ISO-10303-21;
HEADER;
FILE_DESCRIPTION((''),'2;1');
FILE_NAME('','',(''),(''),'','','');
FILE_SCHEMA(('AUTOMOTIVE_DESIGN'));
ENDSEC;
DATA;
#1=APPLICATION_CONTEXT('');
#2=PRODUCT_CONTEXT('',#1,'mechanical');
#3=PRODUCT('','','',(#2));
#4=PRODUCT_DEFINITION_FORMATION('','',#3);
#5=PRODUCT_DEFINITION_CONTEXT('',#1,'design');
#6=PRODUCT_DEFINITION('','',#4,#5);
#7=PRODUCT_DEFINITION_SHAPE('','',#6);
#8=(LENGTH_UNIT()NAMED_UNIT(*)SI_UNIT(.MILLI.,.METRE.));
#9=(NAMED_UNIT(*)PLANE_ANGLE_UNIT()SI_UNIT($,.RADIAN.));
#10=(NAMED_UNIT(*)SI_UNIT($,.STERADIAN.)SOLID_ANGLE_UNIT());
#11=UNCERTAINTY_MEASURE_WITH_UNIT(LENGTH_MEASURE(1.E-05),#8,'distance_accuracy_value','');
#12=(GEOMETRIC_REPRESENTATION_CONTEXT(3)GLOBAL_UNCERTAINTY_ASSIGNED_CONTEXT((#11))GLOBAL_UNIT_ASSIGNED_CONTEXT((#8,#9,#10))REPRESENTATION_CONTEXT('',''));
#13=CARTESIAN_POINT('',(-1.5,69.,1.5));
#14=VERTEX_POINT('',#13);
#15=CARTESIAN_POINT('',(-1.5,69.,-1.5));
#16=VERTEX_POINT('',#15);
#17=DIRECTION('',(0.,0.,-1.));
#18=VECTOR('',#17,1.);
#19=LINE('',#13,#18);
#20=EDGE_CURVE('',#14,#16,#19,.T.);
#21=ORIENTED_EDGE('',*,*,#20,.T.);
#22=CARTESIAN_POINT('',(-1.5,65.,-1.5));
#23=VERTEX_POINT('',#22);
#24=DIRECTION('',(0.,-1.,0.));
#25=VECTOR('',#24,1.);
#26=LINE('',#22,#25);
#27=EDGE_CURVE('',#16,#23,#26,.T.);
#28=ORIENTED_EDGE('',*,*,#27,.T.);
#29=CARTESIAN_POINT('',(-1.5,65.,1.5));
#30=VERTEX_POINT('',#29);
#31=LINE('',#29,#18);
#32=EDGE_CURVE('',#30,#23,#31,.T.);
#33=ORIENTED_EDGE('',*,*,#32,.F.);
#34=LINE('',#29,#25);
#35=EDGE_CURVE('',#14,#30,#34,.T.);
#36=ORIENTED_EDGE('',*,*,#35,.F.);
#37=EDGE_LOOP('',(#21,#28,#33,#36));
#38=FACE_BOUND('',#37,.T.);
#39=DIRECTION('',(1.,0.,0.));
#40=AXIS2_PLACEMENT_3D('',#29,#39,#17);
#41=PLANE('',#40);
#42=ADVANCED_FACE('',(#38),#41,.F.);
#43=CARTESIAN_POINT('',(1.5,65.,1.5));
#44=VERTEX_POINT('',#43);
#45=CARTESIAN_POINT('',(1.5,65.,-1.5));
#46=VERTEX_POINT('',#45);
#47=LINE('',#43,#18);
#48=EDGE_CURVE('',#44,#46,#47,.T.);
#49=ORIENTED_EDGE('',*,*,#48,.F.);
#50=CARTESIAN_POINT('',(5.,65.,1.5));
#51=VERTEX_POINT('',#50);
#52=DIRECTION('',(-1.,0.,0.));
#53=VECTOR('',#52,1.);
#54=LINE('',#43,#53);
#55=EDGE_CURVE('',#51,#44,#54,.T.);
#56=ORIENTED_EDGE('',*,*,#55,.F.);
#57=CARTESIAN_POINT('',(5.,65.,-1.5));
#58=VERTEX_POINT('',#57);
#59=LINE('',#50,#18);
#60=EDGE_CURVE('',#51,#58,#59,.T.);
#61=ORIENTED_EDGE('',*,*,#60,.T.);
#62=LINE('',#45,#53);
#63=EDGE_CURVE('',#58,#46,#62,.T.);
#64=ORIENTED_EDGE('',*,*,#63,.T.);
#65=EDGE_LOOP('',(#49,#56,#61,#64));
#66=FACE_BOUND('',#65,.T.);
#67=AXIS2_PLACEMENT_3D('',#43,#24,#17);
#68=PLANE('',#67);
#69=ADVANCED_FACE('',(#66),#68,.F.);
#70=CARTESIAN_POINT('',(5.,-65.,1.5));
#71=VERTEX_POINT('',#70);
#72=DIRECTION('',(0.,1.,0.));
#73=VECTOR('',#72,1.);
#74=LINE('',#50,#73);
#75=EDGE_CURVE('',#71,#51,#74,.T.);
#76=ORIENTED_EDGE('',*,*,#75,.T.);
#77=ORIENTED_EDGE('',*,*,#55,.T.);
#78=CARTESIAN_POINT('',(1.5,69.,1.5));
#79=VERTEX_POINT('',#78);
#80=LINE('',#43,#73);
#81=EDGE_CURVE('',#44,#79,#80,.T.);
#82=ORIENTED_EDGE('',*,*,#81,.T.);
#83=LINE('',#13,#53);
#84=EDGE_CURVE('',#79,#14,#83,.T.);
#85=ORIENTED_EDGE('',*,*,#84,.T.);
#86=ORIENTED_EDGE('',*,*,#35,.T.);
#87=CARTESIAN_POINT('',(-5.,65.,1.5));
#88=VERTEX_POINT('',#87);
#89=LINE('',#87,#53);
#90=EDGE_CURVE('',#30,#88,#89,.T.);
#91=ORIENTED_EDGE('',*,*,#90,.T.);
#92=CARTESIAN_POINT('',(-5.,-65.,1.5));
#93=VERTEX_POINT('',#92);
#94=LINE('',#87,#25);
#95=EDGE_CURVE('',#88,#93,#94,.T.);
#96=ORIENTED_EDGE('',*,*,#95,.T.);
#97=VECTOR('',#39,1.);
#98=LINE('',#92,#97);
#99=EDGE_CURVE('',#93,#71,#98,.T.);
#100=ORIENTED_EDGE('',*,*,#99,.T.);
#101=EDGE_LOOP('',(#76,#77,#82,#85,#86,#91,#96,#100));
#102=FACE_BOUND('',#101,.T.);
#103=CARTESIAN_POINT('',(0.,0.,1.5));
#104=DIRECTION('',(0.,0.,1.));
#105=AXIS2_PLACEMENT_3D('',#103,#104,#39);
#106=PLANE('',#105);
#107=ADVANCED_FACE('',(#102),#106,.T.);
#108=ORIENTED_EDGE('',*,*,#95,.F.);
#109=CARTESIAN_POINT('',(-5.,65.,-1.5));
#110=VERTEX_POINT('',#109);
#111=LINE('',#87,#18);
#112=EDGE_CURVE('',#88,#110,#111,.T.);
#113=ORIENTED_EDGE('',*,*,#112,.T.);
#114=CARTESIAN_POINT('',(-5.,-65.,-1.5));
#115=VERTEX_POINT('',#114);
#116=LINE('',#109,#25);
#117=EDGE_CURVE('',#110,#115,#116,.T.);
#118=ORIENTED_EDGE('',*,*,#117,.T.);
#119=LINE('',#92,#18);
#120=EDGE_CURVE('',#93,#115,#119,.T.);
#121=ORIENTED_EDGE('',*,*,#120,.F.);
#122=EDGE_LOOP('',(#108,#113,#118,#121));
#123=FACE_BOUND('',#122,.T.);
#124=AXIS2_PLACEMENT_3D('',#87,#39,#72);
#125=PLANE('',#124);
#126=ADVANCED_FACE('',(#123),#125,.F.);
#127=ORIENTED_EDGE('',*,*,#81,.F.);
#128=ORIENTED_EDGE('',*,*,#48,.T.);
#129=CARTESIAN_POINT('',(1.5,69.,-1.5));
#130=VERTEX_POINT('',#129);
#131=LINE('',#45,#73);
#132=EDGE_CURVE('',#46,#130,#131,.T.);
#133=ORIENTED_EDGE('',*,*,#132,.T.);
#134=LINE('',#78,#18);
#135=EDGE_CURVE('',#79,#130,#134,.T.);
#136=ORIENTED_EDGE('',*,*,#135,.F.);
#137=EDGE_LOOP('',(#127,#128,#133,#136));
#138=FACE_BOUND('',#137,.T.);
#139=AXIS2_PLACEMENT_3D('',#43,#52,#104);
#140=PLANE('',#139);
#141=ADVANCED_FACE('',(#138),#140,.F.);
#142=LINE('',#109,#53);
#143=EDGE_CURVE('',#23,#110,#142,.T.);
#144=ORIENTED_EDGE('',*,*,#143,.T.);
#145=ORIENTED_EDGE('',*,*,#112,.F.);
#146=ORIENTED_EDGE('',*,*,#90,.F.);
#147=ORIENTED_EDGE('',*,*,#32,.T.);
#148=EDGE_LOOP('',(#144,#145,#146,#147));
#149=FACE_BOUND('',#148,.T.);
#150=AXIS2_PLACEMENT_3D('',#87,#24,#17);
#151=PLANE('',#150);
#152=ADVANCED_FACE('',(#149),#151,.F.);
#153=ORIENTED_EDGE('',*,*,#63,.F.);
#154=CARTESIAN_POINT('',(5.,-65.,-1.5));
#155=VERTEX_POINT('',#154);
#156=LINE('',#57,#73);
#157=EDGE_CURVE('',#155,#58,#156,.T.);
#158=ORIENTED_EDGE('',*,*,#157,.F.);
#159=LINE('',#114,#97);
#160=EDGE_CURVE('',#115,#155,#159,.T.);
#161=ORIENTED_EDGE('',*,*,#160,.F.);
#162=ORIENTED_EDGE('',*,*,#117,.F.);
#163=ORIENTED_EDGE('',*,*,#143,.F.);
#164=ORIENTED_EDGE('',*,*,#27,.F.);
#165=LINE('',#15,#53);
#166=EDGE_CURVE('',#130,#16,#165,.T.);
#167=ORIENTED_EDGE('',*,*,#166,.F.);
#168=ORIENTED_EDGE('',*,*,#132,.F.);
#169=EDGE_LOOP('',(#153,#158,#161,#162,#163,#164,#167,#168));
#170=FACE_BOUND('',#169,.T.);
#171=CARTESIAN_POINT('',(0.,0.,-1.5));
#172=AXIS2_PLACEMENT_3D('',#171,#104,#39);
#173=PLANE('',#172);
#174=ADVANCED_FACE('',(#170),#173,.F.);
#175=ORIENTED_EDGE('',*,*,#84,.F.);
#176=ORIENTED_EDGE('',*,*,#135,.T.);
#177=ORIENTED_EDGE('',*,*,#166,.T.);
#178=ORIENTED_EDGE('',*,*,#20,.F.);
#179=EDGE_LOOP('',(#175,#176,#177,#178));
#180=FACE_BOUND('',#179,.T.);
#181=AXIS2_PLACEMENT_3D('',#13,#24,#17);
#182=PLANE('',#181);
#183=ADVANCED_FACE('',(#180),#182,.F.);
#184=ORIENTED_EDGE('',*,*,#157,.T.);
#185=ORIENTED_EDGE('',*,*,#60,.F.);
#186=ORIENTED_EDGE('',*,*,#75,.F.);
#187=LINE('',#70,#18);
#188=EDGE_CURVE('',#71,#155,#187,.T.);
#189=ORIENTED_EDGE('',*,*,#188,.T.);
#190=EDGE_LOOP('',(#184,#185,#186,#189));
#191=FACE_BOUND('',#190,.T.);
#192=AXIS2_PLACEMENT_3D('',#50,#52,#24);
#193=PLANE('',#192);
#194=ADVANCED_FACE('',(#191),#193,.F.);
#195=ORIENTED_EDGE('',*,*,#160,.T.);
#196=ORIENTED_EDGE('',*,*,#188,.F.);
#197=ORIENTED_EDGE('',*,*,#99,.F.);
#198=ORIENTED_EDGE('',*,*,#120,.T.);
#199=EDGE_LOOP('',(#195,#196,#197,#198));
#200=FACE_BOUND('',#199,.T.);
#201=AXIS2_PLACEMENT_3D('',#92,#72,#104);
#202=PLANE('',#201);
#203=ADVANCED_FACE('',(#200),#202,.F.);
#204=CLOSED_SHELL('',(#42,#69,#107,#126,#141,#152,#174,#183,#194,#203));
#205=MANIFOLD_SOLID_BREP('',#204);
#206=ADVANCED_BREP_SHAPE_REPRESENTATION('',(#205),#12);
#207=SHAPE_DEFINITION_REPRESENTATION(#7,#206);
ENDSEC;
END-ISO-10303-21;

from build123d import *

# Parameters (mm, degrees)
BOSS_EXTRUDE1_DEPTH = 1.5


with BuildPart() as part:
    # Sketch1 → Boss-Extrude1 (new body, symmetric)
    with BuildSketch(Plane.XY):
        Polygon((1.5, 65), (5, 65), (5, -65), (-5, -65), (-5, 65), (-1.5, 65), (-1.5, 69), (1.5, 69), align=None)
    extrude(amount=BOSS_EXTRUDE1_DEPTH, both=True)


solid = part.part
